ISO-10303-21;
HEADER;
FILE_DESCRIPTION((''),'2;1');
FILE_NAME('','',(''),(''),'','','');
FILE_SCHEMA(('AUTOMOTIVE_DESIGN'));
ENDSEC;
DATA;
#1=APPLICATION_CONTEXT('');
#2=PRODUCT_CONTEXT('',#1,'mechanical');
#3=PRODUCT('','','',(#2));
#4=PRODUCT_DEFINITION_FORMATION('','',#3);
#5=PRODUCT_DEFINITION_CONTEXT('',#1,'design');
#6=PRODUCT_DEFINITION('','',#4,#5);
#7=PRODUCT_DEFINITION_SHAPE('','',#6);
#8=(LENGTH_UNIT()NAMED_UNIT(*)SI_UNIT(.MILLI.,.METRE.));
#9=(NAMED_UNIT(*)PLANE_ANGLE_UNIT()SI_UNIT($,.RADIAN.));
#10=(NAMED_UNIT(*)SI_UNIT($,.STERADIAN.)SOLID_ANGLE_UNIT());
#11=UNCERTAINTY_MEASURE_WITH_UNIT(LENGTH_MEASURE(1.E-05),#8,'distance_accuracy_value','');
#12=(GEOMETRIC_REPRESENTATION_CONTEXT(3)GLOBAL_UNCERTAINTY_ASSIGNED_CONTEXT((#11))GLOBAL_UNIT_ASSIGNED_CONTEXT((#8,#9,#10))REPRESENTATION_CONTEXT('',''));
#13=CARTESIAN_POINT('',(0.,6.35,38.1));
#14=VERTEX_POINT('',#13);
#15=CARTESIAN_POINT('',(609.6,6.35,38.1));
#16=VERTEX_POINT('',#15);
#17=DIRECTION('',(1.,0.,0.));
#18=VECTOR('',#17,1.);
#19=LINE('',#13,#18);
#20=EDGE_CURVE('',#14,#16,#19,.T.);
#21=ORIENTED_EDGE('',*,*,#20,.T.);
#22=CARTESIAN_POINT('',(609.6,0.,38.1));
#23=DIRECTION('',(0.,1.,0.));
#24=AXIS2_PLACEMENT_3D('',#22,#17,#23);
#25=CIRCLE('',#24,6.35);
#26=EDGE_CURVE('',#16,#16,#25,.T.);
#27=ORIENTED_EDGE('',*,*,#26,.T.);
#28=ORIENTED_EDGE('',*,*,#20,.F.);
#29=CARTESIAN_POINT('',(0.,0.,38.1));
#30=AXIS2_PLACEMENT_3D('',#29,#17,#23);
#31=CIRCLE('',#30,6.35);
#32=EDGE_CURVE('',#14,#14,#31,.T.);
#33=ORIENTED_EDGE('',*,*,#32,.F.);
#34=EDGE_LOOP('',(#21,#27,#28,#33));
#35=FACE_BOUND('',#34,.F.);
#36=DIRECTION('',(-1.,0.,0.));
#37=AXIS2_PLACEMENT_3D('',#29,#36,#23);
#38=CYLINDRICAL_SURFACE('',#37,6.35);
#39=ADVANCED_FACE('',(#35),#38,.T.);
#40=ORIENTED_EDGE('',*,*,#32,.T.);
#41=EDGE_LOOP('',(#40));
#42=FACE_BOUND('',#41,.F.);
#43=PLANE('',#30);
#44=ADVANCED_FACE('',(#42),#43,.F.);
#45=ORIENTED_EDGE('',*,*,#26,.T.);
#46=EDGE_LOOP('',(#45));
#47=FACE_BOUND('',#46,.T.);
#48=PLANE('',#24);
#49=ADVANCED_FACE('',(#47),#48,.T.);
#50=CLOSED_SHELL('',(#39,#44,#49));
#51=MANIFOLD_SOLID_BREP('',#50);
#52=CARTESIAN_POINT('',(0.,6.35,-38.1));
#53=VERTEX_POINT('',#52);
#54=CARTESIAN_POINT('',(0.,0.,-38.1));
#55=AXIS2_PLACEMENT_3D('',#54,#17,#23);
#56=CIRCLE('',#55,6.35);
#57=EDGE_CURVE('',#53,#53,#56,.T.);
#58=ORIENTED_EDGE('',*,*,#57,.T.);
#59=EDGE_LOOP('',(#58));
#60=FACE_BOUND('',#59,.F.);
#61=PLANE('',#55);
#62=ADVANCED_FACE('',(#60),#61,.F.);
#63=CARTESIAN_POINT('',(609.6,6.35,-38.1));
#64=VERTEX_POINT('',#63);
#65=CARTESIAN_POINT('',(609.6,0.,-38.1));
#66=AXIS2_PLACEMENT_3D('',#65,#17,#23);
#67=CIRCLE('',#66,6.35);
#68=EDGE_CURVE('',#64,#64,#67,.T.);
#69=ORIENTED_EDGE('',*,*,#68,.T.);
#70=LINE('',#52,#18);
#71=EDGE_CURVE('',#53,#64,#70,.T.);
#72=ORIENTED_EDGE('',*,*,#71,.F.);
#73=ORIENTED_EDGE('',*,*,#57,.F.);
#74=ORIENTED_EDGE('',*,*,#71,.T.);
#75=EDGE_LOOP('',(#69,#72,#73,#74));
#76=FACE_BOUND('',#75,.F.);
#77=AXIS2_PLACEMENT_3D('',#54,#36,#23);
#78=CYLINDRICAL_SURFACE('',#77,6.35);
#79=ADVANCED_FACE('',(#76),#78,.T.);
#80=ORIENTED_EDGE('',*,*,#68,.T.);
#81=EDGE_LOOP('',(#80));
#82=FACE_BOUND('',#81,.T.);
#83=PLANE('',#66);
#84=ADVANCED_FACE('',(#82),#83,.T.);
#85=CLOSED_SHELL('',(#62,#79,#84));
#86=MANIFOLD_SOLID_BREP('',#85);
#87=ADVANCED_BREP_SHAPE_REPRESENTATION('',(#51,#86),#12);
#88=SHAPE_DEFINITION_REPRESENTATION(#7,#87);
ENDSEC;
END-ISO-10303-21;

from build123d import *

# Parameters (mm, degrees)
F0_R     = 6.35
F1_DEPTH = 609.6


with BuildPart() as f1:
    # F0 (on Right) → F1 (new body)
    with BuildSketch(Plane.YZ):
        with Locations((0, 38.1)):
            Circle(F0_R)
        with Locations((0, -38.1)):
            Circle(F0_R)
    extrude(amount=F1_DEPTH)


solid = f1.part
